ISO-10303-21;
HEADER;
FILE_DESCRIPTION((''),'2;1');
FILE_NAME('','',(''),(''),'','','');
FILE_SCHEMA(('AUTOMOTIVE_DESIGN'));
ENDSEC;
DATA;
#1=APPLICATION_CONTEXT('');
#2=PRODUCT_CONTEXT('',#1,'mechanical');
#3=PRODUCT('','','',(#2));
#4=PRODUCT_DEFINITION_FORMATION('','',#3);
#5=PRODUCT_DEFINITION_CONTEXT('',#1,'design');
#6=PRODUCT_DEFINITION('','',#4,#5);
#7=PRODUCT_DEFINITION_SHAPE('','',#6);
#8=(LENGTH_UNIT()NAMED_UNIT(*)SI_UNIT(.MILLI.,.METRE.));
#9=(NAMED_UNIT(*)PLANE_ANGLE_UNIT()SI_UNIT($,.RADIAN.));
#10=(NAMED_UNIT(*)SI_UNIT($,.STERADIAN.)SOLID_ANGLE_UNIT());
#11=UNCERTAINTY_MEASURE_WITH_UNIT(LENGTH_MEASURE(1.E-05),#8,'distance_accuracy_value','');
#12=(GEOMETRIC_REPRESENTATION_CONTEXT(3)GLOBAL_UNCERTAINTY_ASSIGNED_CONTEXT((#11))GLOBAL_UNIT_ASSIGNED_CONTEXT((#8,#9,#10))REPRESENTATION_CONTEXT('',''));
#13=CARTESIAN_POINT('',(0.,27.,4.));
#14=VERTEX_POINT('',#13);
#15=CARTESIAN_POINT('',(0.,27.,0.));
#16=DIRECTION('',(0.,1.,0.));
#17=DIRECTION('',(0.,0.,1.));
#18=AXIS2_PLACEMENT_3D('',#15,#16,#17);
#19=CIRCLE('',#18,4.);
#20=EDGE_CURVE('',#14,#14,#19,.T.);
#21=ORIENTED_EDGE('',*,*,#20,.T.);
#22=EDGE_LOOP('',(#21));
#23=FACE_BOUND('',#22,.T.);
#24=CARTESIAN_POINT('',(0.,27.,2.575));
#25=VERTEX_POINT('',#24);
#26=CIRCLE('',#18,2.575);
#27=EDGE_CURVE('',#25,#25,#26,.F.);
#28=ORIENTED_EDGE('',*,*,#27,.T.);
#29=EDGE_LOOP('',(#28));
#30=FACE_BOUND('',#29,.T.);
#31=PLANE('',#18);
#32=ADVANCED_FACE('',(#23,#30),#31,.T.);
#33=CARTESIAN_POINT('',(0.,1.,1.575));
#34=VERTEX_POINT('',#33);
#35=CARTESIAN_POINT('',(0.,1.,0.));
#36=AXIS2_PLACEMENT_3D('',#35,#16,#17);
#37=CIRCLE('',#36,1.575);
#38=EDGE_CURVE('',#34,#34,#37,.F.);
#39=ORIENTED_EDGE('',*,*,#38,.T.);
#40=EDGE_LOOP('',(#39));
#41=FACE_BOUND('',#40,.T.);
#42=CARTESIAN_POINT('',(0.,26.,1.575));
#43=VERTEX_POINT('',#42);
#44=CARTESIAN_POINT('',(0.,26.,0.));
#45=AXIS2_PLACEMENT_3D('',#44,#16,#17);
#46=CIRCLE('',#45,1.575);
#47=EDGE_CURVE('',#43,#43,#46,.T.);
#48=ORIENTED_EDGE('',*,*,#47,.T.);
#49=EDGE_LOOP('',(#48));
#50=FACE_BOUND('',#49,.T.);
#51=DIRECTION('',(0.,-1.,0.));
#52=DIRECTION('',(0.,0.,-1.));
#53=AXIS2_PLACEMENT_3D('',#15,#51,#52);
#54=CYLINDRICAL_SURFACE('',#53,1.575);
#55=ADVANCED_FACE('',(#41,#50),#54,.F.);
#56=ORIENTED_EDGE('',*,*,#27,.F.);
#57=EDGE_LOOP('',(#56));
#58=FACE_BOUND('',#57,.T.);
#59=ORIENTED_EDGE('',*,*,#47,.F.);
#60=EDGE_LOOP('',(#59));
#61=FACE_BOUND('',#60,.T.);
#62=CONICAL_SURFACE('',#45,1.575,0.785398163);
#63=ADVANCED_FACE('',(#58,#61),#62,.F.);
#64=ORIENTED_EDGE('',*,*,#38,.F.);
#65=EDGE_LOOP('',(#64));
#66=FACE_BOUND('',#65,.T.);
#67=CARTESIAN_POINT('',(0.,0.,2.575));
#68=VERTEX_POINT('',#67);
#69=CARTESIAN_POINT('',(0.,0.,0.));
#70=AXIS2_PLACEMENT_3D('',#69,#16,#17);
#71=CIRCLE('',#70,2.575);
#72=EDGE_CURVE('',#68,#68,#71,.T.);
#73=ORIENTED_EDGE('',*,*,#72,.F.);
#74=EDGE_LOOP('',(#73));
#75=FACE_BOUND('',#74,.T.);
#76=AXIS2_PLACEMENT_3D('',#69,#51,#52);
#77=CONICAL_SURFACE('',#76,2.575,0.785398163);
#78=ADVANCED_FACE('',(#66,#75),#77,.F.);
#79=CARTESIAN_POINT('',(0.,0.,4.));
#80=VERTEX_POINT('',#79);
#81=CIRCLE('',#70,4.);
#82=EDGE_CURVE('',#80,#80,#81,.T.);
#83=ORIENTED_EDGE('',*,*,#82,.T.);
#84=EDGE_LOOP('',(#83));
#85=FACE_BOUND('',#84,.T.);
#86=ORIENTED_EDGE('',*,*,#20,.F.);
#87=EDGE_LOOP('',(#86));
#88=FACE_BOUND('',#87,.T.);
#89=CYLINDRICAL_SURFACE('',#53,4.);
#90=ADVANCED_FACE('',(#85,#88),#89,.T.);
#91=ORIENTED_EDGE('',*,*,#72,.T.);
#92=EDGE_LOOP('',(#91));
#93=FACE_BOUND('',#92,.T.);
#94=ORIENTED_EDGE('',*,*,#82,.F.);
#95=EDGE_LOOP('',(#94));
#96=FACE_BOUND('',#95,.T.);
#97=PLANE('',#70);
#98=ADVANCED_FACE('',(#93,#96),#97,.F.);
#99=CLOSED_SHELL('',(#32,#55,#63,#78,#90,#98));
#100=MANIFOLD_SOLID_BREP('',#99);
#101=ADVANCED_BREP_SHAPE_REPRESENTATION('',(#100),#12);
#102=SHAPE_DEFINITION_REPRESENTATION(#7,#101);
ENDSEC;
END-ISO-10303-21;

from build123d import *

# Parameters (mm, degrees)
SKIZZE1_R                       = 4
SKIZZE1_R_2                     = 1.575
AUFSATZ_LINEAR_AUSTRAGEN1_DEPTH = 27
FASE1_SIZE                      = 1


with BuildPart() as part:
    # Skizze1 → Aufsatz-Linear austragen1 (new body)
    with BuildSketch(Plane(origin=(0, 0, 0), x_dir=(1, 0, 0), z_dir=(0, 1, 0))):
        with Locations(Location((0, 0, 0), (0, 0, 270))):
            Circle(SKIZZE1_R)
        with Locations(Location((0, 0, 0), (0, 0, 270))):
            Circle(SKIZZE1_R_2, mode=Mode.SUBTRACT)
    extrude(amount=AUFSATZ_LINEAR_AUSTRAGEN1_DEPTH)

    # Fase1
    fase1_edges = [part.edges().sort_by_distance(p)[0] for p in [
        (0, 0, -1.575),
        (0, 27, -1.575),
    ]]
    chamfer(fase1_edges, length=FASE1_SIZE)


solid = part.part
